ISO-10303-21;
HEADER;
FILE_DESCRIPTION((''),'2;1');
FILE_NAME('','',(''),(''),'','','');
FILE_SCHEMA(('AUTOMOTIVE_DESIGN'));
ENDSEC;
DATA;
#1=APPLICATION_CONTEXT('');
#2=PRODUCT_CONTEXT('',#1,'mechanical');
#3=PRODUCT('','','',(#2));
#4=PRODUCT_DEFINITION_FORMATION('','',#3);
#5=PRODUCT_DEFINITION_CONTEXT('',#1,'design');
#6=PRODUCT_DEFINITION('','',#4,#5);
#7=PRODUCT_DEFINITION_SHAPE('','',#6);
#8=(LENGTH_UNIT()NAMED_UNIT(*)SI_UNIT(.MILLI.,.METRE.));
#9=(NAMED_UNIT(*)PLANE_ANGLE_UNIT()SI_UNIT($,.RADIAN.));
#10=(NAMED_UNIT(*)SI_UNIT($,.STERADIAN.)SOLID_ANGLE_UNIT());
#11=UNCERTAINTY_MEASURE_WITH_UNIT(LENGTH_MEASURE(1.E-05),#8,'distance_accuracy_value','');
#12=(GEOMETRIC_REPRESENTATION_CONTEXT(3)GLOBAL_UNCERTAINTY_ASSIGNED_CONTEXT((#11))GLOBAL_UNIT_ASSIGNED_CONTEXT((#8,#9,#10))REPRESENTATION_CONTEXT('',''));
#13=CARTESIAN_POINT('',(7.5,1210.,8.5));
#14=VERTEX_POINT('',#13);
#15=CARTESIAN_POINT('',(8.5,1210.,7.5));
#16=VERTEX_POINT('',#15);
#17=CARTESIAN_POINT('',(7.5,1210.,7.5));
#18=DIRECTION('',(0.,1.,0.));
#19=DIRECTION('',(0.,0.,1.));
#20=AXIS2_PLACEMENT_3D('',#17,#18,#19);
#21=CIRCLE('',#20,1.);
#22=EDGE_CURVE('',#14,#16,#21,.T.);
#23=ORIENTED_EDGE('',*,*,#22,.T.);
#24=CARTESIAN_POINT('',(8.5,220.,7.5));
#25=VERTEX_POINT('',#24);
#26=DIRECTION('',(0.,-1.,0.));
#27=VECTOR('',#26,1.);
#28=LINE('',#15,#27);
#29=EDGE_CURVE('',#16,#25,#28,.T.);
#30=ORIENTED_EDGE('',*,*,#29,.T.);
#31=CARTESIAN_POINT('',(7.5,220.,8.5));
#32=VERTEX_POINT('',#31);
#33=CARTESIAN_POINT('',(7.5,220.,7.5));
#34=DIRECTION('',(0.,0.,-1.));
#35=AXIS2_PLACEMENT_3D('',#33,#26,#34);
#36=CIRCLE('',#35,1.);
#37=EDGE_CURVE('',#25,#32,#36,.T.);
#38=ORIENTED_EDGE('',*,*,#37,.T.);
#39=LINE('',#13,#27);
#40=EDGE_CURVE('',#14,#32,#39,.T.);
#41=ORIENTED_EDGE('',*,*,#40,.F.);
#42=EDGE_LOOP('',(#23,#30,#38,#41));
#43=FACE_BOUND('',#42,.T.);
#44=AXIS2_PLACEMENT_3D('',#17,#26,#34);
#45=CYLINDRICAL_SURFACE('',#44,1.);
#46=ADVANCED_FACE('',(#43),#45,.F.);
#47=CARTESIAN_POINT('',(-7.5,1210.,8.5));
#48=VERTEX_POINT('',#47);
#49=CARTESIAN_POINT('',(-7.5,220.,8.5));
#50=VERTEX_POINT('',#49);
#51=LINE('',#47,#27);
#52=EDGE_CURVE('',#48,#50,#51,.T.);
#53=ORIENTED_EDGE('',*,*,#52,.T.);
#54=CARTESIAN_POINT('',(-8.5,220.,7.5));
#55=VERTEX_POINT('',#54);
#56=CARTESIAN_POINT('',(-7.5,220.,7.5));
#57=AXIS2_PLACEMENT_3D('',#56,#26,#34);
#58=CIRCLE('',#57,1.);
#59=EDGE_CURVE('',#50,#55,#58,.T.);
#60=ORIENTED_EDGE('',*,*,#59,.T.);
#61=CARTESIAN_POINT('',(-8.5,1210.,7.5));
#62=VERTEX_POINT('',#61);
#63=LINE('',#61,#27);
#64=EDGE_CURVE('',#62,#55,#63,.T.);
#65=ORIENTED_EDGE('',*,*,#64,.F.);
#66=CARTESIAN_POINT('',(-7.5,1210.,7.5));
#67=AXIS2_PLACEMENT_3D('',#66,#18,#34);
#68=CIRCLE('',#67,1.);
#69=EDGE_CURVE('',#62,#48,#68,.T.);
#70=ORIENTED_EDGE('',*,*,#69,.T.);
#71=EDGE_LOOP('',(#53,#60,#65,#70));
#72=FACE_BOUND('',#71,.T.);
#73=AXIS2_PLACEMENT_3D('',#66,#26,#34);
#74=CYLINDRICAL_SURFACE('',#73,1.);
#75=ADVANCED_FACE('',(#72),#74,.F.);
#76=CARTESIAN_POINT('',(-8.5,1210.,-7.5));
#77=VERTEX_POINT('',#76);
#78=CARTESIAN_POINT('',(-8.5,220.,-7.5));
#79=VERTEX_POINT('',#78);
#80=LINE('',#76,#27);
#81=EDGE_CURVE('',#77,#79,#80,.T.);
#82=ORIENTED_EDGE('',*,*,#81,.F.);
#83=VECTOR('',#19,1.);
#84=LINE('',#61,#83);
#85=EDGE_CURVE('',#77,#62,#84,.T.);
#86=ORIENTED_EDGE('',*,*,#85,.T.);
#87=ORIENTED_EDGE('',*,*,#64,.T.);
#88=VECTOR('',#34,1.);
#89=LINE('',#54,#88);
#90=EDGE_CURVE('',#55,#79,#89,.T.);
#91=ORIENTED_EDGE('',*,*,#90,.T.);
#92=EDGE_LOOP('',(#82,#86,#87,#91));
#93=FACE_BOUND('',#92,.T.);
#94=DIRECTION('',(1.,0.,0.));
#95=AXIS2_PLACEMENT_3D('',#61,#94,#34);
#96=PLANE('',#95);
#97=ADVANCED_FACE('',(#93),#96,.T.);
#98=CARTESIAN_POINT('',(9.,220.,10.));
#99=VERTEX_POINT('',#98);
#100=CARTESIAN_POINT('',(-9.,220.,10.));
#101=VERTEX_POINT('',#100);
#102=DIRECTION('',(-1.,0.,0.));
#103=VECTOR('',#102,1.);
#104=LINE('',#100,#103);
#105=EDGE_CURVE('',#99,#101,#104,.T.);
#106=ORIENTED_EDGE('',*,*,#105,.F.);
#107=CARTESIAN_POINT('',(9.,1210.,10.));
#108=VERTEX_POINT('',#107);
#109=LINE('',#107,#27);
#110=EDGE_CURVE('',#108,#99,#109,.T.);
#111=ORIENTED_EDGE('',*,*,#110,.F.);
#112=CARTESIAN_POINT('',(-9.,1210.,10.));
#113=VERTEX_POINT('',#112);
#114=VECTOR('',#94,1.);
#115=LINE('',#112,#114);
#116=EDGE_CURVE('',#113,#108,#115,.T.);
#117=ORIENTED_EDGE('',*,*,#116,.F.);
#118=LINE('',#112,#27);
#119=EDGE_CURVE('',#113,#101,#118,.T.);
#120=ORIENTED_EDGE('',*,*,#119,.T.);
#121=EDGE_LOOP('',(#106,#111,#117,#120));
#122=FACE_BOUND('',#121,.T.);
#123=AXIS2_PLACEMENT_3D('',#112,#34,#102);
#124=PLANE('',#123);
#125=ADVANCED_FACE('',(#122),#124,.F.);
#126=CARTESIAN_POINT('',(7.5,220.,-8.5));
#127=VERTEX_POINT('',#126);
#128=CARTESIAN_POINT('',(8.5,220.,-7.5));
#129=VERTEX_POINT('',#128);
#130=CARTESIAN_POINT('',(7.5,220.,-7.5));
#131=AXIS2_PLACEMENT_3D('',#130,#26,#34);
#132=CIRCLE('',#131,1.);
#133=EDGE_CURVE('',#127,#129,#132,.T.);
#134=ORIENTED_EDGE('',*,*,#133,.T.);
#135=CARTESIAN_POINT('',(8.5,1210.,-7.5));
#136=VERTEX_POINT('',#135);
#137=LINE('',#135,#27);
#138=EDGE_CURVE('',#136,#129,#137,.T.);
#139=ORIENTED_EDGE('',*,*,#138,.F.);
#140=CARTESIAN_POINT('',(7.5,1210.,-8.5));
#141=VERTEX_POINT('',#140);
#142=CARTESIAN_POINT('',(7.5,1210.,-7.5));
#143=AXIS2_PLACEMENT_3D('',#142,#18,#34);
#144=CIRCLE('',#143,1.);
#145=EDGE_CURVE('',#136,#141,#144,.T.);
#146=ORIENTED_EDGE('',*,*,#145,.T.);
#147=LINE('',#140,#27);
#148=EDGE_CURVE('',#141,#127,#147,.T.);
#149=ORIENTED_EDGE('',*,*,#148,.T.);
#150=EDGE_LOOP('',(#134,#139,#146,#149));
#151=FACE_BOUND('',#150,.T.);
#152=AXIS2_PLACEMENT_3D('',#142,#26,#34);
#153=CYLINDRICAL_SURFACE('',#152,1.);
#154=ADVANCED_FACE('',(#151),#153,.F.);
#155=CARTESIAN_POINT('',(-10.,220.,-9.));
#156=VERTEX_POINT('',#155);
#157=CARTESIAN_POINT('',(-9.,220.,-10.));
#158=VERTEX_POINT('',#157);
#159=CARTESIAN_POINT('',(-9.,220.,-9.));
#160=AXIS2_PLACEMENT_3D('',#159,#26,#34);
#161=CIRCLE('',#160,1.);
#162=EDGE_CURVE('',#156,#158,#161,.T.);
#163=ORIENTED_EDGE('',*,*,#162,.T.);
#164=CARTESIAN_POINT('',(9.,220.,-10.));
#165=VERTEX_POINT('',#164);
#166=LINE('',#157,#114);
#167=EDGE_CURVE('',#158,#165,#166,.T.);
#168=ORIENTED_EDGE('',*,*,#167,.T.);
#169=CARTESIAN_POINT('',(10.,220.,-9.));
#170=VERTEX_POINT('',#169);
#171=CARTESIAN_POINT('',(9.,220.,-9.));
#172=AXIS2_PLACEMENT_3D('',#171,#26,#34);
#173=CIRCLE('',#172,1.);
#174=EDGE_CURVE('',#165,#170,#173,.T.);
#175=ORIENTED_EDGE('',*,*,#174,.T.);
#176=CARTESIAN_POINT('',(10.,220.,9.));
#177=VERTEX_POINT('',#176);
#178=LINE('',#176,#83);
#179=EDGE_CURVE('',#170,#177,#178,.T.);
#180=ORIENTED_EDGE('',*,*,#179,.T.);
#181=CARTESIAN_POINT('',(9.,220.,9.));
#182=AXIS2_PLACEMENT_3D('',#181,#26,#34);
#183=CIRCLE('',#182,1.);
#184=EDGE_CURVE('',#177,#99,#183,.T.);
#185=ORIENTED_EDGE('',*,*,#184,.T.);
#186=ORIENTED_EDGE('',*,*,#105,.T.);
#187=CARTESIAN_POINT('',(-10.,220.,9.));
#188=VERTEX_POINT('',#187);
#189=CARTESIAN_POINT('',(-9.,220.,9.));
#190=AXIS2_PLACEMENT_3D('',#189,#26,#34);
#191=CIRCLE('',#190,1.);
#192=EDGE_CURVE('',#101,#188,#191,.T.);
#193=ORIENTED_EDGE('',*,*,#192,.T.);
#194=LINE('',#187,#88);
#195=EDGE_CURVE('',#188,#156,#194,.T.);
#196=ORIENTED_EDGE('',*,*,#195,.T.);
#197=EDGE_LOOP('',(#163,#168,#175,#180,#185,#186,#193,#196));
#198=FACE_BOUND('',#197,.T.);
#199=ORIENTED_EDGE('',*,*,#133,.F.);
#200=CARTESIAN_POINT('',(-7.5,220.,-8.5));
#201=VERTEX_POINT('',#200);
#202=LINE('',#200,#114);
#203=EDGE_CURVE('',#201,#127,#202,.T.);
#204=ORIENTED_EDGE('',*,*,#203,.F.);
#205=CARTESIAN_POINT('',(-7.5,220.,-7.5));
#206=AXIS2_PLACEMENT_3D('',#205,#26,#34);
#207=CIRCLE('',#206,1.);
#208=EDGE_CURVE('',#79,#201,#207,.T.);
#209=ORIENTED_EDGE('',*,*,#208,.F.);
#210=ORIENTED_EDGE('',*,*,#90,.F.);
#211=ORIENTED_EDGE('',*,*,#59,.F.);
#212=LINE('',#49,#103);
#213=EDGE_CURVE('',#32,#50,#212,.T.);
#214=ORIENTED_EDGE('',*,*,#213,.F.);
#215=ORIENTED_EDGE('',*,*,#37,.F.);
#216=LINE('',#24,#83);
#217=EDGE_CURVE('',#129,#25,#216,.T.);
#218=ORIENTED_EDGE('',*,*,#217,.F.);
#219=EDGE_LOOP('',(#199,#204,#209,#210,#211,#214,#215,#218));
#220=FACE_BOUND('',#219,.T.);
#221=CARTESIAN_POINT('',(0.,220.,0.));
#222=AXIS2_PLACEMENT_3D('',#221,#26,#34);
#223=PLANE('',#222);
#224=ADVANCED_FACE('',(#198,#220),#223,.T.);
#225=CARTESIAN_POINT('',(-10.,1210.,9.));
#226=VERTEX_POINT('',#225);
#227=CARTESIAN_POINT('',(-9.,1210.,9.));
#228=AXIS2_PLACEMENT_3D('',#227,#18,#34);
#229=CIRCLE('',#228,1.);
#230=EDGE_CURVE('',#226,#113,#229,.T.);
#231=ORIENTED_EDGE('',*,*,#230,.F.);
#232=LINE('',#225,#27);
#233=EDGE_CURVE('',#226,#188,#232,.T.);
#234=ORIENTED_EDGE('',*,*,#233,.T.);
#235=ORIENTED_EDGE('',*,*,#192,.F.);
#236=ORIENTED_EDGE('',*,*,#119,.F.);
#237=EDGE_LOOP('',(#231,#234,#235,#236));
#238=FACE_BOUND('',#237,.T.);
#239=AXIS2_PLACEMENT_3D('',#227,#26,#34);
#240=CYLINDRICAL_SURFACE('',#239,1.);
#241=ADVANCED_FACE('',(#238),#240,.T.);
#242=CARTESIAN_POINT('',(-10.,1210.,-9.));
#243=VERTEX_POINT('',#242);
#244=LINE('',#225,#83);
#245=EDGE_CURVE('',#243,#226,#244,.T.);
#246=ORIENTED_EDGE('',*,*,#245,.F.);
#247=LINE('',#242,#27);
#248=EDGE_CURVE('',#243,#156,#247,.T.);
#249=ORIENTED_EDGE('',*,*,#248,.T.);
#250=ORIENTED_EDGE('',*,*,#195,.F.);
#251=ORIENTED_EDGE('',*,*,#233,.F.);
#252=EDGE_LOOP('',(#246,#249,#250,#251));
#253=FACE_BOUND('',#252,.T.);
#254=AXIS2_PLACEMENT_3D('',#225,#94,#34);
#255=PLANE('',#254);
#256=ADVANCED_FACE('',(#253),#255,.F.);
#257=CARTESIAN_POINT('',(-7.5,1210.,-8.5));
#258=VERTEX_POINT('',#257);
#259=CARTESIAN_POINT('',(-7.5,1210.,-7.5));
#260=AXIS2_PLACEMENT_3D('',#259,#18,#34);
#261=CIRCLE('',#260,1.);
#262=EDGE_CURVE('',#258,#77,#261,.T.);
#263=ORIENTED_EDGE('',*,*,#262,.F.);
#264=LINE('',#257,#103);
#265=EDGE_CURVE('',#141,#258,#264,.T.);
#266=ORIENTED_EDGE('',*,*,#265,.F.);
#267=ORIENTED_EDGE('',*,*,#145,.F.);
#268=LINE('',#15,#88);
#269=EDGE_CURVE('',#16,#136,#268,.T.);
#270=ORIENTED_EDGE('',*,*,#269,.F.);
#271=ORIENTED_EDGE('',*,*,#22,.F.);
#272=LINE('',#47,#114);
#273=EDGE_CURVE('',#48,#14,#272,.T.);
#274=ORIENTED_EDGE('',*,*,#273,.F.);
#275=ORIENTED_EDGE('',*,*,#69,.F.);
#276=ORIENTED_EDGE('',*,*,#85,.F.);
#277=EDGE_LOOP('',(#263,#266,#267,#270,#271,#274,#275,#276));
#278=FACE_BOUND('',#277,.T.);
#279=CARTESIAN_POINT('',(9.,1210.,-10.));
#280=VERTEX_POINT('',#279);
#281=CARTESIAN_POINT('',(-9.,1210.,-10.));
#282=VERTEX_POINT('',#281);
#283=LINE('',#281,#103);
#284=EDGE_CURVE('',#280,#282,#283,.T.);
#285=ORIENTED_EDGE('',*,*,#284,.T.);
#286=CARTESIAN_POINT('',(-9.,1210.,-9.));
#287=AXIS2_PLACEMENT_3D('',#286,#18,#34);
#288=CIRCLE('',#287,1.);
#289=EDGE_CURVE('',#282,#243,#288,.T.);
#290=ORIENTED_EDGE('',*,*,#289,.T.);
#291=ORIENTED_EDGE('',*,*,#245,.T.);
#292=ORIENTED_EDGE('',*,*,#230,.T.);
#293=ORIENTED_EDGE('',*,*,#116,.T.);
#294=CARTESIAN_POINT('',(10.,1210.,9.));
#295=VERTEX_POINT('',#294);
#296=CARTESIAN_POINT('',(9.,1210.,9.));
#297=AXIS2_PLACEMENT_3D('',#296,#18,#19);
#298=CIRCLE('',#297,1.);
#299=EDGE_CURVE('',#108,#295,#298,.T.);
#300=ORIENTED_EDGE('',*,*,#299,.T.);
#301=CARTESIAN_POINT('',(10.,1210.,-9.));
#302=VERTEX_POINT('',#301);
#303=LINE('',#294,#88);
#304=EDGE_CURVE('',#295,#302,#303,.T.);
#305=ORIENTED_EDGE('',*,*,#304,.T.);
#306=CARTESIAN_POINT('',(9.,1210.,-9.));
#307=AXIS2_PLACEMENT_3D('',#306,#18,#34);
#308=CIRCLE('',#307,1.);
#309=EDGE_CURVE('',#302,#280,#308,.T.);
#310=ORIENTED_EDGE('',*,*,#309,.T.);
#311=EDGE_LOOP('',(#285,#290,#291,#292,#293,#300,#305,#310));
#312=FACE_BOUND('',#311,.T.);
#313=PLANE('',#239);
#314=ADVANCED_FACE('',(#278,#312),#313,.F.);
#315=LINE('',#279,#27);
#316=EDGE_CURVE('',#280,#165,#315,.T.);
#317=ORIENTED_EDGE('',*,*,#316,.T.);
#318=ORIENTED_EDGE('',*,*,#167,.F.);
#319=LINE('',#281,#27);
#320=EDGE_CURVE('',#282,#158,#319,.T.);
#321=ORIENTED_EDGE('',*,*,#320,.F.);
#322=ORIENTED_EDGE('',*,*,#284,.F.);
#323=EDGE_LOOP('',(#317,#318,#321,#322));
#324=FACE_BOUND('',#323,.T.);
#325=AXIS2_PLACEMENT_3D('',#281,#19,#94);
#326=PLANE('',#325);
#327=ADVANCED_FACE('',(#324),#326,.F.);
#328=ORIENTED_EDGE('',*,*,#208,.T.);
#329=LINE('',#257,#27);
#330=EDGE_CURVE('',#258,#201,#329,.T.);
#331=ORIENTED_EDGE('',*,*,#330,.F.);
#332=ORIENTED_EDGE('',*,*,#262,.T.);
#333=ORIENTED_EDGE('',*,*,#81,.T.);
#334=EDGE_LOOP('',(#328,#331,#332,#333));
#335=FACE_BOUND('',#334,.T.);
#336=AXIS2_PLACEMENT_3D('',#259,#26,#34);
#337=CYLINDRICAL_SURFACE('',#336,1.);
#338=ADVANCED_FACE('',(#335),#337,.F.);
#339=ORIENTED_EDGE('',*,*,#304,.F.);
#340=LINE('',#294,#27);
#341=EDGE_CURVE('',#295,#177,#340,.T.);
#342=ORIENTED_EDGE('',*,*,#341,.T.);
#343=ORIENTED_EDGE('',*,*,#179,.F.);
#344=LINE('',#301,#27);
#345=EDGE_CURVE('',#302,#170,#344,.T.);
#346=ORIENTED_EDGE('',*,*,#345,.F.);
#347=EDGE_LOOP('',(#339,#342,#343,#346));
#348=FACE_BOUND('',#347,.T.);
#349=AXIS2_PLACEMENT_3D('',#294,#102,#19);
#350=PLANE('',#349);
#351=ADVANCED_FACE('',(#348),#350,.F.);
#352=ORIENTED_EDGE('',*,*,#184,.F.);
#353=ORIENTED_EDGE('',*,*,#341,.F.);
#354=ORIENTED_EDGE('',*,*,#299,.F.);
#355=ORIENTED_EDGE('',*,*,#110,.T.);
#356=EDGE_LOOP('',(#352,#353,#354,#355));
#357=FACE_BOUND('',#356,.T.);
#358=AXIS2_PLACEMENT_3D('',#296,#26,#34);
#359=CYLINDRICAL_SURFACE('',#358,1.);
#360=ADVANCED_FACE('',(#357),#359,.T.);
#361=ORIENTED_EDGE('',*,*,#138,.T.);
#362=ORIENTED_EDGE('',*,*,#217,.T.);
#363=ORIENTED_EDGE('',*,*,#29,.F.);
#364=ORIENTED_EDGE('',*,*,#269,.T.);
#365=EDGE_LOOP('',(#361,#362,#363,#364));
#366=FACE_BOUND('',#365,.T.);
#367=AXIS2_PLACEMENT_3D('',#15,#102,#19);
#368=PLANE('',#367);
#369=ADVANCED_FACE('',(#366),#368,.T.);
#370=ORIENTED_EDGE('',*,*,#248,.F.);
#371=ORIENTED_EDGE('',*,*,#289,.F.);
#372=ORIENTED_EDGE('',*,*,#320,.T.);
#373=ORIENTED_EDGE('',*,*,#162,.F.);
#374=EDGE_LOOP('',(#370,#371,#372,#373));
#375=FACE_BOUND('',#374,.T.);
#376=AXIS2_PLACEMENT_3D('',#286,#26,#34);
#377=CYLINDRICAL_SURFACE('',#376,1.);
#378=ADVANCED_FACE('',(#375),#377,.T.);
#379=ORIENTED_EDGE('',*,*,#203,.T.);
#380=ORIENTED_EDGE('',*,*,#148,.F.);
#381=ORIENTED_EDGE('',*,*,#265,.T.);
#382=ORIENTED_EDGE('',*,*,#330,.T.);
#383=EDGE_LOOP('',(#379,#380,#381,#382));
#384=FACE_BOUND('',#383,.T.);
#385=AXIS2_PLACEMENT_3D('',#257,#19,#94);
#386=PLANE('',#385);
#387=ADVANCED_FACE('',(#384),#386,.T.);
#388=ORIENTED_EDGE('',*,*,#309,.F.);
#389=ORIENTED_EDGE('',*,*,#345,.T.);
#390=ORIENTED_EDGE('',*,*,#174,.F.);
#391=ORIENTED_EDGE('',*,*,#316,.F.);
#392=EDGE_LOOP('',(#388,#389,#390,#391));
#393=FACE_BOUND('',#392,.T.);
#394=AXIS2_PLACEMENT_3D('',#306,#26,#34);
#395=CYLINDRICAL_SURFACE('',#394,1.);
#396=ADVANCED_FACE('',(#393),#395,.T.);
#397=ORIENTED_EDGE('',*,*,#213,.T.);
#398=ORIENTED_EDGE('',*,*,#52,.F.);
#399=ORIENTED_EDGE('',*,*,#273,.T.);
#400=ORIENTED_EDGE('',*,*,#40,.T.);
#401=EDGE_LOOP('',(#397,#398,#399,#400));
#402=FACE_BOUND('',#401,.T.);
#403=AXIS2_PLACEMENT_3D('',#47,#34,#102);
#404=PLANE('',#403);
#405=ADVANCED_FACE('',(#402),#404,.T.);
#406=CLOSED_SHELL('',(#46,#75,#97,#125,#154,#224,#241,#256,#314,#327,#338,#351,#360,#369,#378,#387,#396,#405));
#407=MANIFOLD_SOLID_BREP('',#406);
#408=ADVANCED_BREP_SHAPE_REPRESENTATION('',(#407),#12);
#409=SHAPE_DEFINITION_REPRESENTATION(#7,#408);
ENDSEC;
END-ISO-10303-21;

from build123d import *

# Parameters (mm, degrees)
BOSS_EXTRUDE1_DEPTH = 1210
SKETCH2_W           = 101.895059676
SKETCH2_H           = 138.127514373
CUT_EXTRUDE1_DEPTH  = 220


with BuildPart() as part:
    # Sketch1 → Boss-Extrude1 (new body)
    with BuildSketch(Plane(origin=(0, 0, 0), x_dir=(1, 0, 0), z_dir=(0, 1, 0))):
        with BuildLine():
            Line((-9, -10), (9, -10))
            ThreePointArc((9, -10), (9.707106781, -9.707106781), (10, -9))
            Line((10, -9), (10, 9))
            ThreePointArc((10, 9), (9.707106781, 9.707106781), (9, 10))
            Line((9, 10), (-9, 10))
            ThreePointArc((-9, 10), (-9.707106781, 9.707106781), (-10, 9))
            Line((-10, 9), (-10, -9))
            ThreePointArc((-10, -9), (-9.707106781, -9.707106781), (-9, -10))
        make_face()
        with BuildLine():
            Line((-7.5, -8.5), (7.5, -8.5))
            ThreePointArc((7.5, -8.5), (8.207106781, -8.207106781), (8.5, -7.5))
            Line((8.5, -7.5), (8.5, 7.5))
            ThreePointArc((8.5, 7.5), (8.207106781, 8.207106781), (7.5, 8.5))
            Line((7.5, 8.5), (-7.5, 8.5))
            ThreePointArc((-7.5, 8.5), (-8.207106781, 8.207106781), (-8.5, 7.5))
            Line((-8.5, 7.5), (-8.5, -7.5))
            ThreePointArc((-8.5, -7.5), (-8.207106781, -8.207106781), (-7.5, -8.5))
        make_face(mode=Mode.SUBTRACT)
    extrude(amount=BOSS_EXTRUDE1_DEPTH)

    # Sketch2 → Cut-Extrude1 (cut)
    with BuildSketch(Plane.XZ):
        with Locations((4.315799724, -16.6218454)):
            Rectangle(SKETCH2_W, SKETCH2_H)
    extrude(amount=-CUT_EXTRUDE1_DEPTH, mode=Mode.SUBTRACT)


solid = part.part
